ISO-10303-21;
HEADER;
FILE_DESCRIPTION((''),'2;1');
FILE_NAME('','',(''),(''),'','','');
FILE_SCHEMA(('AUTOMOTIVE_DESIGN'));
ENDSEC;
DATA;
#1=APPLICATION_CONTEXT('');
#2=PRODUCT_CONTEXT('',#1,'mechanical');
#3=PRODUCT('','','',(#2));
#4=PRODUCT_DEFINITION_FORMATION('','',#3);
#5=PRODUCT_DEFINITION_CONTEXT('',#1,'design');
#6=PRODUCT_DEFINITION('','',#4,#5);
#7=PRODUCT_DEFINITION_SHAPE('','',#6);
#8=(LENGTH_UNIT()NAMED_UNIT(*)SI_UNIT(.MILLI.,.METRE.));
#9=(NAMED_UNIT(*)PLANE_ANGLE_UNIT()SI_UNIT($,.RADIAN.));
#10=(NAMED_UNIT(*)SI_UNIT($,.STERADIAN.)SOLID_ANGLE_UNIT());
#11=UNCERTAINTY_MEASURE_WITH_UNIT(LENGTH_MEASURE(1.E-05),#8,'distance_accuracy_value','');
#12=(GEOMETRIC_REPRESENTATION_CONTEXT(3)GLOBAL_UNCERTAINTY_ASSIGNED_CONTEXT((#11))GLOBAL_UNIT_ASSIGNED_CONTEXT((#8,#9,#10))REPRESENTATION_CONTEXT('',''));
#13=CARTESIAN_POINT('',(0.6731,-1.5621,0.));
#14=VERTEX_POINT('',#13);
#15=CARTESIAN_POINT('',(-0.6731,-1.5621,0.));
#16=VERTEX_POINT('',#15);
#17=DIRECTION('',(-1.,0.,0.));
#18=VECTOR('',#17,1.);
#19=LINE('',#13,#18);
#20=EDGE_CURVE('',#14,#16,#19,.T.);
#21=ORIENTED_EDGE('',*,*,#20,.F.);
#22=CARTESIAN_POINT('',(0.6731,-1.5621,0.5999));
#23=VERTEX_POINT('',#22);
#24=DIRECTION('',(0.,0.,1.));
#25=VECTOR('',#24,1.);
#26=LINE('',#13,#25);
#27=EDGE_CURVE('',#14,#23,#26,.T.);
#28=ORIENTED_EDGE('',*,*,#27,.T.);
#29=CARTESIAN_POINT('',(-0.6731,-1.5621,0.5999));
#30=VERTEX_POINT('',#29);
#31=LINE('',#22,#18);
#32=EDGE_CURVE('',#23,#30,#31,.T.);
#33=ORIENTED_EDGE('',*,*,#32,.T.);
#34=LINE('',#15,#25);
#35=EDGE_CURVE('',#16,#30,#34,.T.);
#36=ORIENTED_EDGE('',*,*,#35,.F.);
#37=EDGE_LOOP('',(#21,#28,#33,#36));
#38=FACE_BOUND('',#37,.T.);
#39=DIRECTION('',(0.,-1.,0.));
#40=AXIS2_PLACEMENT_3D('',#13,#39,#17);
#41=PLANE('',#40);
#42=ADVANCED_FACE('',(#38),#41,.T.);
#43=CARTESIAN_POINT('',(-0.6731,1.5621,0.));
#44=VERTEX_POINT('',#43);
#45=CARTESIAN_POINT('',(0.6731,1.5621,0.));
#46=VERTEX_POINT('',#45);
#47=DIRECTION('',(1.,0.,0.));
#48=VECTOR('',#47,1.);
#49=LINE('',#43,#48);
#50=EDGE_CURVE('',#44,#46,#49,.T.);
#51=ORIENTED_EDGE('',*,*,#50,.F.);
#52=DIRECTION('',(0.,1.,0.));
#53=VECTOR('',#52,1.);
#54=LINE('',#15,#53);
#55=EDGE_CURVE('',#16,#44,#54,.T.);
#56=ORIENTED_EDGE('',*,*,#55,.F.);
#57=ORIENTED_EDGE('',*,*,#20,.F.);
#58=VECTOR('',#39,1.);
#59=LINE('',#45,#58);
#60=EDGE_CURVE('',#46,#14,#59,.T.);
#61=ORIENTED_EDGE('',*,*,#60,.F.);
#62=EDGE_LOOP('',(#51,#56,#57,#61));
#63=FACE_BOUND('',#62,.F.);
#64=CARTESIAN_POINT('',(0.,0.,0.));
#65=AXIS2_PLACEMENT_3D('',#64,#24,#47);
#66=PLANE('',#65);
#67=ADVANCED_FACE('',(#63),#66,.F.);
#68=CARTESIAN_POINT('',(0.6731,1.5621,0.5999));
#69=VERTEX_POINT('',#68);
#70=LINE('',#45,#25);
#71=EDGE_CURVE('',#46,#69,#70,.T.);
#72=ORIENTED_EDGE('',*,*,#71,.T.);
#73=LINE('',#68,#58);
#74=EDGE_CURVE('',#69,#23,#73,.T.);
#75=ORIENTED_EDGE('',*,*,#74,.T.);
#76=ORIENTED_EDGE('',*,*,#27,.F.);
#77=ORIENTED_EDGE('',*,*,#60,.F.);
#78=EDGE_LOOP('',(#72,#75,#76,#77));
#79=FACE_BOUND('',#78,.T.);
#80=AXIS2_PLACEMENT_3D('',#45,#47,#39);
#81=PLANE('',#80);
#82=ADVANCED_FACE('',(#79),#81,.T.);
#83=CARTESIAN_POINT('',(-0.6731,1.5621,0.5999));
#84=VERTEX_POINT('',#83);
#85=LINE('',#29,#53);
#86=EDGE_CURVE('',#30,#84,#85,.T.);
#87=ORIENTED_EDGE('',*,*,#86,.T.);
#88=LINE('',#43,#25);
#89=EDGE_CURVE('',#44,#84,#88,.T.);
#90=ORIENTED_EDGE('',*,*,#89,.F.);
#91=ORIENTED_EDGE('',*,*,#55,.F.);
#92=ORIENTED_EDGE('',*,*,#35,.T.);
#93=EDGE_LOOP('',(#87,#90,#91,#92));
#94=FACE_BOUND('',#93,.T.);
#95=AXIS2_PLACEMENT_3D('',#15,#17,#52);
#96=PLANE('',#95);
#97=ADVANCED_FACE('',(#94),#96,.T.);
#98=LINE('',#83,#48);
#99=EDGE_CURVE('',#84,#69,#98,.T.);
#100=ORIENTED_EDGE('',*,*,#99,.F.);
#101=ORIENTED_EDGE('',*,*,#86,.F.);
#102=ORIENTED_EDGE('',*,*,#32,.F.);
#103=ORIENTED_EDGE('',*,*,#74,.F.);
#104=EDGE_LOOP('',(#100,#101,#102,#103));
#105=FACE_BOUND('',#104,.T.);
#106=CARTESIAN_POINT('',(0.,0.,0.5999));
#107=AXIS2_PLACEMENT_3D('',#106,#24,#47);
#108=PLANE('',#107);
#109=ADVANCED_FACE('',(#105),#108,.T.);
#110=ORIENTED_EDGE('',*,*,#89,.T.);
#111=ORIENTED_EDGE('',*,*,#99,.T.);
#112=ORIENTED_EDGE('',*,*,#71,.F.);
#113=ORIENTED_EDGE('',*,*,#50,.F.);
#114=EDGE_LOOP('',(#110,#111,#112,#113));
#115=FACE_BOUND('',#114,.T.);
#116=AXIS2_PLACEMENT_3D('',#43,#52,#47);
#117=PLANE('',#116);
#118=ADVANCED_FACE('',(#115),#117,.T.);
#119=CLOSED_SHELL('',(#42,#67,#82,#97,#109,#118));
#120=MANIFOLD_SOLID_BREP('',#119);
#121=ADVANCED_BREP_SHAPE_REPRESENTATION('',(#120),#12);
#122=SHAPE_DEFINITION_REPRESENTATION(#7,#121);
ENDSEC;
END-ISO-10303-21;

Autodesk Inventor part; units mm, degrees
ref_plane "YZ Plane" through (0, 0, 0) normal (1, 0, 0) x (0, 1, 0)
ref_plane "XZ Plane" through (0, 0, 0) normal (0, 1, 0) x (-1, 0, 0)
ref_plane "XY Plane" through (0, 0, 0) normal (0, 0, 1) x (1, 0, 0)
sketch "SM0603, 0603YC104KATDA_48" plane through (0, 0, 0) normal (0, 0, 1) x (1, 0, 0)
  line L0 (-0.6731, 1.5621) -> (0.6731, 1.5621)
  line L1 (0.6731, 1.5621) -> (0.6731, -1.5621)
  line L2 (0.6731, -1.5621) -> (-0.6731, -1.5621)
  line L3 (-0.6731, -1.5621) -> (-0.6731, 1.5621)
extrude "Extrusion1" add sketch "SM0603, 0603YC104KATDA_48" along normal blind 0.5999
properties part number "0603YC104KATDA"
